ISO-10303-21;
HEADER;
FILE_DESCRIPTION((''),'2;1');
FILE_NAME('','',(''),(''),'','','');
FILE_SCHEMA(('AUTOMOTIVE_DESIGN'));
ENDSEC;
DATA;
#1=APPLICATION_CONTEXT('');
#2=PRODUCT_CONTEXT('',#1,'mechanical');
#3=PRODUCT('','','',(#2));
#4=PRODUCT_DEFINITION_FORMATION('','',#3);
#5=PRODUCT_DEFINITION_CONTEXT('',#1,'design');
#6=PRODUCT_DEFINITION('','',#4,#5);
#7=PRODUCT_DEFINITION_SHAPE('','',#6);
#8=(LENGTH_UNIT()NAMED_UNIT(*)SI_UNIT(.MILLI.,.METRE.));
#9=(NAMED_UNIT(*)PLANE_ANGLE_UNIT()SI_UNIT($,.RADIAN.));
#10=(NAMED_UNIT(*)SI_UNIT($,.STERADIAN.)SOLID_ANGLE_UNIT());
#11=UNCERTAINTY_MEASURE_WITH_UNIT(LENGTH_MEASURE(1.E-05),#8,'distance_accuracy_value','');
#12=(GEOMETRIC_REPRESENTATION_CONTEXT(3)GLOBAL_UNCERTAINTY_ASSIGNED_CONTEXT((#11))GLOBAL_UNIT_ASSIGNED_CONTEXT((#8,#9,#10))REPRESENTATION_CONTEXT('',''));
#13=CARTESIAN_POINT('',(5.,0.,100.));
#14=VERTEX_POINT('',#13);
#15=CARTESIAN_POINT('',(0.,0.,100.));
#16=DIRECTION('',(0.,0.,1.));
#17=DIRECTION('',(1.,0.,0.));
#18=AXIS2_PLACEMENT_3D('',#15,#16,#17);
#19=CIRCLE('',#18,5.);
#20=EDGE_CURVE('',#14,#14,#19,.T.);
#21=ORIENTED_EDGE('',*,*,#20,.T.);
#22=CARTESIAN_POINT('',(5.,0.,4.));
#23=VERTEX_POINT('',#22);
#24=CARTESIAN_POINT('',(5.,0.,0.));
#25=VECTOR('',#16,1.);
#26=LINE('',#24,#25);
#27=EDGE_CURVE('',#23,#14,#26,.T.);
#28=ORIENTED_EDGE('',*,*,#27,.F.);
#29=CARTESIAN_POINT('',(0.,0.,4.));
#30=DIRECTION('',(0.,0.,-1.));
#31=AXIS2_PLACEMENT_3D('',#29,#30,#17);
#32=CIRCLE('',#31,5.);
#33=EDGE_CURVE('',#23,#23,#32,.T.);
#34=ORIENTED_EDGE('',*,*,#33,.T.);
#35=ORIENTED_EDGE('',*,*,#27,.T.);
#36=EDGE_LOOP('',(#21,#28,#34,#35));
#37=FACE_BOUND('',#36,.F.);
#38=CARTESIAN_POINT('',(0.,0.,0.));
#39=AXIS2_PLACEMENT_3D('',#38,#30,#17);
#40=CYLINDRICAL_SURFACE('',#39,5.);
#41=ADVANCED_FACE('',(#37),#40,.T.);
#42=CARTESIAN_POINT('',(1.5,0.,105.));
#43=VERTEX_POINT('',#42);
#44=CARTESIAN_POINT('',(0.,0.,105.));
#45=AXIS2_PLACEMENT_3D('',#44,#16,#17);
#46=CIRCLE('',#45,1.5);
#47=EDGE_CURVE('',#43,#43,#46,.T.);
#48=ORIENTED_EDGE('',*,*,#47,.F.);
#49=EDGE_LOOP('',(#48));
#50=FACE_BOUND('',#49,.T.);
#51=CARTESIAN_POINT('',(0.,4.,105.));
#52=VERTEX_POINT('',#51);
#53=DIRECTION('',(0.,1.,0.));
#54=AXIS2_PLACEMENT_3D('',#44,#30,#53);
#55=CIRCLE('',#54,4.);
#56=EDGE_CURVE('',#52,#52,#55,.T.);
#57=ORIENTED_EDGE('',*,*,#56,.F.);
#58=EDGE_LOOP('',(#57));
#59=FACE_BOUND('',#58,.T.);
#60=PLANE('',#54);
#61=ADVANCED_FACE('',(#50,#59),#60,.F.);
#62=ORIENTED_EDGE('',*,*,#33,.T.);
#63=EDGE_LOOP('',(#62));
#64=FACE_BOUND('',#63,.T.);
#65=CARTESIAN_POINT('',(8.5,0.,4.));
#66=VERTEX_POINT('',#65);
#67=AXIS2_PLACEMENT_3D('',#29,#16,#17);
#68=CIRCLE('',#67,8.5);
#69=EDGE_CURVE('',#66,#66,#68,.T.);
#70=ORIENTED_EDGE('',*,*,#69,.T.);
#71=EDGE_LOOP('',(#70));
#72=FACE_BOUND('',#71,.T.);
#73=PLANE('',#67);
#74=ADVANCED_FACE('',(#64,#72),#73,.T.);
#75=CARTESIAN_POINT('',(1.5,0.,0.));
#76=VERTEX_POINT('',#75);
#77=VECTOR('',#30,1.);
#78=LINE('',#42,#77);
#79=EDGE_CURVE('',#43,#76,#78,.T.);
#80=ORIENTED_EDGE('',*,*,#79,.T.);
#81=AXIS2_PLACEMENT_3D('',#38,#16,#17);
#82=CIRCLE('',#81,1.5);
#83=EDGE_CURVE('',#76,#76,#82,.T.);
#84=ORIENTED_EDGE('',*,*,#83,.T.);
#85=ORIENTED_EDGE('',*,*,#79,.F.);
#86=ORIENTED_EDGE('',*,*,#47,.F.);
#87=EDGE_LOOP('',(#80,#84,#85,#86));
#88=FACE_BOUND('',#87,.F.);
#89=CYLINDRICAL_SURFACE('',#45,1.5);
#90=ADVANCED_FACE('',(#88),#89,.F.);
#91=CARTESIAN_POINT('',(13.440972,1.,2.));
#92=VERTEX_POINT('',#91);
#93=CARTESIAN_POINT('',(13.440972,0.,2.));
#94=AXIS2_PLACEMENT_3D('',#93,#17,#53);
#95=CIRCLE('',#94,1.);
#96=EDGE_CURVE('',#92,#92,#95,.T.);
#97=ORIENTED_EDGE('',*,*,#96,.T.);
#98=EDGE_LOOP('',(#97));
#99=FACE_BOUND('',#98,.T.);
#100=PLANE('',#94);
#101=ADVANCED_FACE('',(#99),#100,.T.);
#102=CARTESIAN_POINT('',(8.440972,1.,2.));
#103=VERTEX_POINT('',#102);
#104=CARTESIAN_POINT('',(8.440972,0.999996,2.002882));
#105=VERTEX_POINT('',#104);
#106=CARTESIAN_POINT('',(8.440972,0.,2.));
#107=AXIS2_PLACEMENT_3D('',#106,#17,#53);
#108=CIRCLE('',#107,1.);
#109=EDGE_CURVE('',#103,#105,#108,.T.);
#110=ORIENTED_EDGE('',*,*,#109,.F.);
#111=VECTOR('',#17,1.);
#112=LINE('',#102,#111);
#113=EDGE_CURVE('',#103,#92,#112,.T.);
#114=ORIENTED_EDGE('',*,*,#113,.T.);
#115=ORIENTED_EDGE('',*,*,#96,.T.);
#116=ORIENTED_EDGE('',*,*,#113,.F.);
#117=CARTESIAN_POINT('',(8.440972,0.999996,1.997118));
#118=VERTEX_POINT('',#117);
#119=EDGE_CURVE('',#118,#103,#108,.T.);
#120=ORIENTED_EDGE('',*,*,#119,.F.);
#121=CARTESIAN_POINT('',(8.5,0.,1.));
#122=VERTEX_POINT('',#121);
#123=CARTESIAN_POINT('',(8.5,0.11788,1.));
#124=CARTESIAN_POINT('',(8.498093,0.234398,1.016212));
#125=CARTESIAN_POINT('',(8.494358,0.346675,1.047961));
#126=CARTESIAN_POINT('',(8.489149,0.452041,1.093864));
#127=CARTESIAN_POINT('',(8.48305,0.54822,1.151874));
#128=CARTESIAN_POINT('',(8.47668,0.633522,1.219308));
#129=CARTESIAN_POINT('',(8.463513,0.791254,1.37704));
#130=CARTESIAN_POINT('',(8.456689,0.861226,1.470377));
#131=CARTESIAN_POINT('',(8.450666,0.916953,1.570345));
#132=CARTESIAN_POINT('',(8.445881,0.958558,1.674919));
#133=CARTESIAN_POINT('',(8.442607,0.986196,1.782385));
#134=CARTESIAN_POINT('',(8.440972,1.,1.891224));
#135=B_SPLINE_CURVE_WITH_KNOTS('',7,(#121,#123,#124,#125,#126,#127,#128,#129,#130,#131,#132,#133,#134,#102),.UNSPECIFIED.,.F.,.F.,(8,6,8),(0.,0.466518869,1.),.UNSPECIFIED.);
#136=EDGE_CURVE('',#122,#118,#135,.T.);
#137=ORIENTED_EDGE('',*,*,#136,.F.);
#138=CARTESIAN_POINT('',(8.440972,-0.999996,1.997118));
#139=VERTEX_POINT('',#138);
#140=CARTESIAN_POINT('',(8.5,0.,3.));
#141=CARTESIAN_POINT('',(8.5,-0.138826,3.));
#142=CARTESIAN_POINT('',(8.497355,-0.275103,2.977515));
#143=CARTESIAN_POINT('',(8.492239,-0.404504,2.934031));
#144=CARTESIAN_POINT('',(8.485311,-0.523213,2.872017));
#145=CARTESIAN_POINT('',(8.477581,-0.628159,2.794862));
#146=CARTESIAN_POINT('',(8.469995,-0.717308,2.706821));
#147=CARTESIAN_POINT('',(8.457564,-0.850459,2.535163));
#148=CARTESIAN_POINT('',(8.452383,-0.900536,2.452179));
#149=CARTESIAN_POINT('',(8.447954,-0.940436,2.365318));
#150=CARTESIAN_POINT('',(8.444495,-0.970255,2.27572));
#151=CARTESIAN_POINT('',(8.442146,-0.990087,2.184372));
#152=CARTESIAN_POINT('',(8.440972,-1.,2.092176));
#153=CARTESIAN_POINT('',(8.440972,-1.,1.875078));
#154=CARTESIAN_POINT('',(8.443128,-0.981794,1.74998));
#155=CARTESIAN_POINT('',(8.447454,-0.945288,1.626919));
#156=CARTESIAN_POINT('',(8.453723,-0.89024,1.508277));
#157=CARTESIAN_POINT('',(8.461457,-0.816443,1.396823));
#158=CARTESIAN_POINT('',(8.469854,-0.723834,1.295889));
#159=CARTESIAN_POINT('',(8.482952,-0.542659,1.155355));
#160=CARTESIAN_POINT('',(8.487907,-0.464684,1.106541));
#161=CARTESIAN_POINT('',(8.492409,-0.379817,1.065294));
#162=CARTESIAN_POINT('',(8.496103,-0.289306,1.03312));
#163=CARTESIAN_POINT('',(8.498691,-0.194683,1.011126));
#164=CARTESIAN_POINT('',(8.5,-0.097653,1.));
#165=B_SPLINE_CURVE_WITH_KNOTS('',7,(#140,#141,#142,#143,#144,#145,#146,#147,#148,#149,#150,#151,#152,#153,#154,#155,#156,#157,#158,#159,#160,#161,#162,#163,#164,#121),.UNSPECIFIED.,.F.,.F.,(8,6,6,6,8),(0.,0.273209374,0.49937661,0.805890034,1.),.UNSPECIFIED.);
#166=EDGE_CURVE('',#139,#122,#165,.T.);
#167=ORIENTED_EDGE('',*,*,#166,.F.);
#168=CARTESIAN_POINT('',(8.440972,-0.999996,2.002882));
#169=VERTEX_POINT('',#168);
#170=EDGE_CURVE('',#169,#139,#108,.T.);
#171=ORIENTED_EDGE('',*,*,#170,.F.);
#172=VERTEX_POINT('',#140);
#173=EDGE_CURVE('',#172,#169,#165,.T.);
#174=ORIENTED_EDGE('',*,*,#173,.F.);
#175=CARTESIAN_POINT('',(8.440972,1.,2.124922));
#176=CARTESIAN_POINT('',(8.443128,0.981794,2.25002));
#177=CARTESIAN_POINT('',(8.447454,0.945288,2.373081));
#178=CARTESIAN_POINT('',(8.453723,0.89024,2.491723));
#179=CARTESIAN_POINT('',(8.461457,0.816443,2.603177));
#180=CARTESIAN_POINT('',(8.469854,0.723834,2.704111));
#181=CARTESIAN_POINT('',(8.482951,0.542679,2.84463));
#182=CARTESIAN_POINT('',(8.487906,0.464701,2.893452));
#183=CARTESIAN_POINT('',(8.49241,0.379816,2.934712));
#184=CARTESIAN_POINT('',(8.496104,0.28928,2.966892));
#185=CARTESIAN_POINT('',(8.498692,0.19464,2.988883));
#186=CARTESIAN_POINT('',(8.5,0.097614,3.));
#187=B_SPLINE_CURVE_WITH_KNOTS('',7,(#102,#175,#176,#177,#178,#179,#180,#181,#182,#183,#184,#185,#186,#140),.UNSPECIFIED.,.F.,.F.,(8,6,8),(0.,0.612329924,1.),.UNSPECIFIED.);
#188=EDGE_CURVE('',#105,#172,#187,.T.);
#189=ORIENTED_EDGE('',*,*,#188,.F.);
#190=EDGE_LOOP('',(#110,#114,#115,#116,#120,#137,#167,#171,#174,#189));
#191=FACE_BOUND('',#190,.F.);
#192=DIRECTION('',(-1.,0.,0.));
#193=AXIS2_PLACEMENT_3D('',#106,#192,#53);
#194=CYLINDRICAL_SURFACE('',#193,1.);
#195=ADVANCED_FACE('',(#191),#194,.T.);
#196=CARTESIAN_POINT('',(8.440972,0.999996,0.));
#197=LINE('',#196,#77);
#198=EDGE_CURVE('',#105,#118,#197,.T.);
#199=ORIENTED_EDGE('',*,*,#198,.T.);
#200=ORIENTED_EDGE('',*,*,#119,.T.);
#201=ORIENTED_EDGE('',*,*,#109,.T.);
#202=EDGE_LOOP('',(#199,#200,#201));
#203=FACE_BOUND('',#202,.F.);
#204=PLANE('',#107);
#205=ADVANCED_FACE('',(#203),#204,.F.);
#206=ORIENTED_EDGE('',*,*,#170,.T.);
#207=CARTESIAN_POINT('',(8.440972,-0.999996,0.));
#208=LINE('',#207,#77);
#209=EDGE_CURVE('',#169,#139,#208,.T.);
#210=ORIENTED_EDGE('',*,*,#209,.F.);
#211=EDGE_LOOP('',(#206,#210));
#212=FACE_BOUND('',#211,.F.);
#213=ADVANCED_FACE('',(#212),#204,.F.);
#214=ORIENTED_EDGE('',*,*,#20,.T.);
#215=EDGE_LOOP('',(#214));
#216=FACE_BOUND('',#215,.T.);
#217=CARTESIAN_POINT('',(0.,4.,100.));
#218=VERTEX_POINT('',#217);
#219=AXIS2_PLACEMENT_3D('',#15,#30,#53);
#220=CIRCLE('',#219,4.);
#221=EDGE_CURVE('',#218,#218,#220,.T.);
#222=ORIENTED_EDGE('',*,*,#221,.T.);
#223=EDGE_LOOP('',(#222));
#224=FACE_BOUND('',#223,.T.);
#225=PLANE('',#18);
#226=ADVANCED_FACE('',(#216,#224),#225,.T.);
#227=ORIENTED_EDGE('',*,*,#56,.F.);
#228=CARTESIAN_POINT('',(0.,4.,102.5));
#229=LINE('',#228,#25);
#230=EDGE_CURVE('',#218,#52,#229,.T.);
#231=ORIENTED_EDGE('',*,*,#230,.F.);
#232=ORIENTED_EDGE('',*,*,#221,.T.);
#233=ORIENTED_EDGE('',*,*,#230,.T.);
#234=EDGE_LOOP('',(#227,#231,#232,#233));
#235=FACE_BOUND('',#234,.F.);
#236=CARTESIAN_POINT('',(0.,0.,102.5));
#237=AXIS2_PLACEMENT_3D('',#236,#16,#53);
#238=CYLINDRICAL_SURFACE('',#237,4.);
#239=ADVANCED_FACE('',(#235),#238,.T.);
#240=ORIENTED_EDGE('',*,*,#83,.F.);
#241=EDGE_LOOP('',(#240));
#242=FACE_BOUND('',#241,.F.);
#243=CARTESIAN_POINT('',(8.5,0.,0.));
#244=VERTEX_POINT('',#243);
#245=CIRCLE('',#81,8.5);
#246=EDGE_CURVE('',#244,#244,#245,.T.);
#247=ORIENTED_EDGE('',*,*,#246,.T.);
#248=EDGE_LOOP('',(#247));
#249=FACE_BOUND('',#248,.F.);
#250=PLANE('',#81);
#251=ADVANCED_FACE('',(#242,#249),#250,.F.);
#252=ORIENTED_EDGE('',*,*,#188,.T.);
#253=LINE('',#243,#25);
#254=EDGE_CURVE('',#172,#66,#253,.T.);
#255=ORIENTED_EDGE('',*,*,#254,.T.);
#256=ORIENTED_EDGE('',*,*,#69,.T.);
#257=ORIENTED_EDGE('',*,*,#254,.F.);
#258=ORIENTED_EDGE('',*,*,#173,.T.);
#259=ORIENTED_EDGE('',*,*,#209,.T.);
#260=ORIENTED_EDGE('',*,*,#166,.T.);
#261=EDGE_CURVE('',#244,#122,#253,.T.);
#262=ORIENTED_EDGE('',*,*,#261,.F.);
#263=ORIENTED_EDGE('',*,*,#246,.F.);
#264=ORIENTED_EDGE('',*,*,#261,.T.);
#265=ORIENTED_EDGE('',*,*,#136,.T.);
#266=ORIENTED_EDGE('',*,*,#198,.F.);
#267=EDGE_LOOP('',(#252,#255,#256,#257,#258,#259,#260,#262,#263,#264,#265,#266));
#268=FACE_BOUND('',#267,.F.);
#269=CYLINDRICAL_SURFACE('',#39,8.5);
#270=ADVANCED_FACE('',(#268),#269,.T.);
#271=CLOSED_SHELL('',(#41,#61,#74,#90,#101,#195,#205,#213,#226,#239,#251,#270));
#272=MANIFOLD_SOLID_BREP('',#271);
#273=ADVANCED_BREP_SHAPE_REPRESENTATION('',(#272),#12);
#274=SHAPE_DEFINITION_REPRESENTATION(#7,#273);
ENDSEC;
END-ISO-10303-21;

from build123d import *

# Parameters (mm, degrees)
F0_R      = 8.5
F1_DEPTH  = 4
F3_R      = 5
F4_DEPTH  = 100
F5_W      = 4
F5_H      = 5
F9_R      = 1
F10_DEPTH = 5
F11_R     = 1.5
F12_DEPTH = 128.4


with BuildPart() as f1:
    # F0 (on Top) → F1 (new body)
    with BuildSketch(Plane.XY):
        Circle(F0_R)
    extrude(amount=F1_DEPTH)

    # F3 (on Top) → F4 (join)
    with BuildSketch(Plane.XY):
        Circle(F3_R)
    extrude(amount=F4_DEPTH)

    # F5 (on Right) → F6 (revolve)
    with BuildSketch(Plane.YZ):
        with Locations((2, 102.5)):
            Rectangle(F5_W, F5_H)
    revolve(axis=Axis((0, 0, 102.5), (0, 0, -1)))

    # F9 (on face) → F10 (join)
    with BuildSketch(Plane.YZ.offset(8.440972)):
        with Locations((0, 2)):
            Circle(F9_R)
    extrude(amount=F10_DEPTH)

    # F11 (on face) → F12 (cut)
    with BuildSketch(Plane.XY.offset(105)):
        Circle(F11_R)
    extrude(amount=-F12_DEPTH, mode=Mode.SUBTRACT)


solid = f1.part
